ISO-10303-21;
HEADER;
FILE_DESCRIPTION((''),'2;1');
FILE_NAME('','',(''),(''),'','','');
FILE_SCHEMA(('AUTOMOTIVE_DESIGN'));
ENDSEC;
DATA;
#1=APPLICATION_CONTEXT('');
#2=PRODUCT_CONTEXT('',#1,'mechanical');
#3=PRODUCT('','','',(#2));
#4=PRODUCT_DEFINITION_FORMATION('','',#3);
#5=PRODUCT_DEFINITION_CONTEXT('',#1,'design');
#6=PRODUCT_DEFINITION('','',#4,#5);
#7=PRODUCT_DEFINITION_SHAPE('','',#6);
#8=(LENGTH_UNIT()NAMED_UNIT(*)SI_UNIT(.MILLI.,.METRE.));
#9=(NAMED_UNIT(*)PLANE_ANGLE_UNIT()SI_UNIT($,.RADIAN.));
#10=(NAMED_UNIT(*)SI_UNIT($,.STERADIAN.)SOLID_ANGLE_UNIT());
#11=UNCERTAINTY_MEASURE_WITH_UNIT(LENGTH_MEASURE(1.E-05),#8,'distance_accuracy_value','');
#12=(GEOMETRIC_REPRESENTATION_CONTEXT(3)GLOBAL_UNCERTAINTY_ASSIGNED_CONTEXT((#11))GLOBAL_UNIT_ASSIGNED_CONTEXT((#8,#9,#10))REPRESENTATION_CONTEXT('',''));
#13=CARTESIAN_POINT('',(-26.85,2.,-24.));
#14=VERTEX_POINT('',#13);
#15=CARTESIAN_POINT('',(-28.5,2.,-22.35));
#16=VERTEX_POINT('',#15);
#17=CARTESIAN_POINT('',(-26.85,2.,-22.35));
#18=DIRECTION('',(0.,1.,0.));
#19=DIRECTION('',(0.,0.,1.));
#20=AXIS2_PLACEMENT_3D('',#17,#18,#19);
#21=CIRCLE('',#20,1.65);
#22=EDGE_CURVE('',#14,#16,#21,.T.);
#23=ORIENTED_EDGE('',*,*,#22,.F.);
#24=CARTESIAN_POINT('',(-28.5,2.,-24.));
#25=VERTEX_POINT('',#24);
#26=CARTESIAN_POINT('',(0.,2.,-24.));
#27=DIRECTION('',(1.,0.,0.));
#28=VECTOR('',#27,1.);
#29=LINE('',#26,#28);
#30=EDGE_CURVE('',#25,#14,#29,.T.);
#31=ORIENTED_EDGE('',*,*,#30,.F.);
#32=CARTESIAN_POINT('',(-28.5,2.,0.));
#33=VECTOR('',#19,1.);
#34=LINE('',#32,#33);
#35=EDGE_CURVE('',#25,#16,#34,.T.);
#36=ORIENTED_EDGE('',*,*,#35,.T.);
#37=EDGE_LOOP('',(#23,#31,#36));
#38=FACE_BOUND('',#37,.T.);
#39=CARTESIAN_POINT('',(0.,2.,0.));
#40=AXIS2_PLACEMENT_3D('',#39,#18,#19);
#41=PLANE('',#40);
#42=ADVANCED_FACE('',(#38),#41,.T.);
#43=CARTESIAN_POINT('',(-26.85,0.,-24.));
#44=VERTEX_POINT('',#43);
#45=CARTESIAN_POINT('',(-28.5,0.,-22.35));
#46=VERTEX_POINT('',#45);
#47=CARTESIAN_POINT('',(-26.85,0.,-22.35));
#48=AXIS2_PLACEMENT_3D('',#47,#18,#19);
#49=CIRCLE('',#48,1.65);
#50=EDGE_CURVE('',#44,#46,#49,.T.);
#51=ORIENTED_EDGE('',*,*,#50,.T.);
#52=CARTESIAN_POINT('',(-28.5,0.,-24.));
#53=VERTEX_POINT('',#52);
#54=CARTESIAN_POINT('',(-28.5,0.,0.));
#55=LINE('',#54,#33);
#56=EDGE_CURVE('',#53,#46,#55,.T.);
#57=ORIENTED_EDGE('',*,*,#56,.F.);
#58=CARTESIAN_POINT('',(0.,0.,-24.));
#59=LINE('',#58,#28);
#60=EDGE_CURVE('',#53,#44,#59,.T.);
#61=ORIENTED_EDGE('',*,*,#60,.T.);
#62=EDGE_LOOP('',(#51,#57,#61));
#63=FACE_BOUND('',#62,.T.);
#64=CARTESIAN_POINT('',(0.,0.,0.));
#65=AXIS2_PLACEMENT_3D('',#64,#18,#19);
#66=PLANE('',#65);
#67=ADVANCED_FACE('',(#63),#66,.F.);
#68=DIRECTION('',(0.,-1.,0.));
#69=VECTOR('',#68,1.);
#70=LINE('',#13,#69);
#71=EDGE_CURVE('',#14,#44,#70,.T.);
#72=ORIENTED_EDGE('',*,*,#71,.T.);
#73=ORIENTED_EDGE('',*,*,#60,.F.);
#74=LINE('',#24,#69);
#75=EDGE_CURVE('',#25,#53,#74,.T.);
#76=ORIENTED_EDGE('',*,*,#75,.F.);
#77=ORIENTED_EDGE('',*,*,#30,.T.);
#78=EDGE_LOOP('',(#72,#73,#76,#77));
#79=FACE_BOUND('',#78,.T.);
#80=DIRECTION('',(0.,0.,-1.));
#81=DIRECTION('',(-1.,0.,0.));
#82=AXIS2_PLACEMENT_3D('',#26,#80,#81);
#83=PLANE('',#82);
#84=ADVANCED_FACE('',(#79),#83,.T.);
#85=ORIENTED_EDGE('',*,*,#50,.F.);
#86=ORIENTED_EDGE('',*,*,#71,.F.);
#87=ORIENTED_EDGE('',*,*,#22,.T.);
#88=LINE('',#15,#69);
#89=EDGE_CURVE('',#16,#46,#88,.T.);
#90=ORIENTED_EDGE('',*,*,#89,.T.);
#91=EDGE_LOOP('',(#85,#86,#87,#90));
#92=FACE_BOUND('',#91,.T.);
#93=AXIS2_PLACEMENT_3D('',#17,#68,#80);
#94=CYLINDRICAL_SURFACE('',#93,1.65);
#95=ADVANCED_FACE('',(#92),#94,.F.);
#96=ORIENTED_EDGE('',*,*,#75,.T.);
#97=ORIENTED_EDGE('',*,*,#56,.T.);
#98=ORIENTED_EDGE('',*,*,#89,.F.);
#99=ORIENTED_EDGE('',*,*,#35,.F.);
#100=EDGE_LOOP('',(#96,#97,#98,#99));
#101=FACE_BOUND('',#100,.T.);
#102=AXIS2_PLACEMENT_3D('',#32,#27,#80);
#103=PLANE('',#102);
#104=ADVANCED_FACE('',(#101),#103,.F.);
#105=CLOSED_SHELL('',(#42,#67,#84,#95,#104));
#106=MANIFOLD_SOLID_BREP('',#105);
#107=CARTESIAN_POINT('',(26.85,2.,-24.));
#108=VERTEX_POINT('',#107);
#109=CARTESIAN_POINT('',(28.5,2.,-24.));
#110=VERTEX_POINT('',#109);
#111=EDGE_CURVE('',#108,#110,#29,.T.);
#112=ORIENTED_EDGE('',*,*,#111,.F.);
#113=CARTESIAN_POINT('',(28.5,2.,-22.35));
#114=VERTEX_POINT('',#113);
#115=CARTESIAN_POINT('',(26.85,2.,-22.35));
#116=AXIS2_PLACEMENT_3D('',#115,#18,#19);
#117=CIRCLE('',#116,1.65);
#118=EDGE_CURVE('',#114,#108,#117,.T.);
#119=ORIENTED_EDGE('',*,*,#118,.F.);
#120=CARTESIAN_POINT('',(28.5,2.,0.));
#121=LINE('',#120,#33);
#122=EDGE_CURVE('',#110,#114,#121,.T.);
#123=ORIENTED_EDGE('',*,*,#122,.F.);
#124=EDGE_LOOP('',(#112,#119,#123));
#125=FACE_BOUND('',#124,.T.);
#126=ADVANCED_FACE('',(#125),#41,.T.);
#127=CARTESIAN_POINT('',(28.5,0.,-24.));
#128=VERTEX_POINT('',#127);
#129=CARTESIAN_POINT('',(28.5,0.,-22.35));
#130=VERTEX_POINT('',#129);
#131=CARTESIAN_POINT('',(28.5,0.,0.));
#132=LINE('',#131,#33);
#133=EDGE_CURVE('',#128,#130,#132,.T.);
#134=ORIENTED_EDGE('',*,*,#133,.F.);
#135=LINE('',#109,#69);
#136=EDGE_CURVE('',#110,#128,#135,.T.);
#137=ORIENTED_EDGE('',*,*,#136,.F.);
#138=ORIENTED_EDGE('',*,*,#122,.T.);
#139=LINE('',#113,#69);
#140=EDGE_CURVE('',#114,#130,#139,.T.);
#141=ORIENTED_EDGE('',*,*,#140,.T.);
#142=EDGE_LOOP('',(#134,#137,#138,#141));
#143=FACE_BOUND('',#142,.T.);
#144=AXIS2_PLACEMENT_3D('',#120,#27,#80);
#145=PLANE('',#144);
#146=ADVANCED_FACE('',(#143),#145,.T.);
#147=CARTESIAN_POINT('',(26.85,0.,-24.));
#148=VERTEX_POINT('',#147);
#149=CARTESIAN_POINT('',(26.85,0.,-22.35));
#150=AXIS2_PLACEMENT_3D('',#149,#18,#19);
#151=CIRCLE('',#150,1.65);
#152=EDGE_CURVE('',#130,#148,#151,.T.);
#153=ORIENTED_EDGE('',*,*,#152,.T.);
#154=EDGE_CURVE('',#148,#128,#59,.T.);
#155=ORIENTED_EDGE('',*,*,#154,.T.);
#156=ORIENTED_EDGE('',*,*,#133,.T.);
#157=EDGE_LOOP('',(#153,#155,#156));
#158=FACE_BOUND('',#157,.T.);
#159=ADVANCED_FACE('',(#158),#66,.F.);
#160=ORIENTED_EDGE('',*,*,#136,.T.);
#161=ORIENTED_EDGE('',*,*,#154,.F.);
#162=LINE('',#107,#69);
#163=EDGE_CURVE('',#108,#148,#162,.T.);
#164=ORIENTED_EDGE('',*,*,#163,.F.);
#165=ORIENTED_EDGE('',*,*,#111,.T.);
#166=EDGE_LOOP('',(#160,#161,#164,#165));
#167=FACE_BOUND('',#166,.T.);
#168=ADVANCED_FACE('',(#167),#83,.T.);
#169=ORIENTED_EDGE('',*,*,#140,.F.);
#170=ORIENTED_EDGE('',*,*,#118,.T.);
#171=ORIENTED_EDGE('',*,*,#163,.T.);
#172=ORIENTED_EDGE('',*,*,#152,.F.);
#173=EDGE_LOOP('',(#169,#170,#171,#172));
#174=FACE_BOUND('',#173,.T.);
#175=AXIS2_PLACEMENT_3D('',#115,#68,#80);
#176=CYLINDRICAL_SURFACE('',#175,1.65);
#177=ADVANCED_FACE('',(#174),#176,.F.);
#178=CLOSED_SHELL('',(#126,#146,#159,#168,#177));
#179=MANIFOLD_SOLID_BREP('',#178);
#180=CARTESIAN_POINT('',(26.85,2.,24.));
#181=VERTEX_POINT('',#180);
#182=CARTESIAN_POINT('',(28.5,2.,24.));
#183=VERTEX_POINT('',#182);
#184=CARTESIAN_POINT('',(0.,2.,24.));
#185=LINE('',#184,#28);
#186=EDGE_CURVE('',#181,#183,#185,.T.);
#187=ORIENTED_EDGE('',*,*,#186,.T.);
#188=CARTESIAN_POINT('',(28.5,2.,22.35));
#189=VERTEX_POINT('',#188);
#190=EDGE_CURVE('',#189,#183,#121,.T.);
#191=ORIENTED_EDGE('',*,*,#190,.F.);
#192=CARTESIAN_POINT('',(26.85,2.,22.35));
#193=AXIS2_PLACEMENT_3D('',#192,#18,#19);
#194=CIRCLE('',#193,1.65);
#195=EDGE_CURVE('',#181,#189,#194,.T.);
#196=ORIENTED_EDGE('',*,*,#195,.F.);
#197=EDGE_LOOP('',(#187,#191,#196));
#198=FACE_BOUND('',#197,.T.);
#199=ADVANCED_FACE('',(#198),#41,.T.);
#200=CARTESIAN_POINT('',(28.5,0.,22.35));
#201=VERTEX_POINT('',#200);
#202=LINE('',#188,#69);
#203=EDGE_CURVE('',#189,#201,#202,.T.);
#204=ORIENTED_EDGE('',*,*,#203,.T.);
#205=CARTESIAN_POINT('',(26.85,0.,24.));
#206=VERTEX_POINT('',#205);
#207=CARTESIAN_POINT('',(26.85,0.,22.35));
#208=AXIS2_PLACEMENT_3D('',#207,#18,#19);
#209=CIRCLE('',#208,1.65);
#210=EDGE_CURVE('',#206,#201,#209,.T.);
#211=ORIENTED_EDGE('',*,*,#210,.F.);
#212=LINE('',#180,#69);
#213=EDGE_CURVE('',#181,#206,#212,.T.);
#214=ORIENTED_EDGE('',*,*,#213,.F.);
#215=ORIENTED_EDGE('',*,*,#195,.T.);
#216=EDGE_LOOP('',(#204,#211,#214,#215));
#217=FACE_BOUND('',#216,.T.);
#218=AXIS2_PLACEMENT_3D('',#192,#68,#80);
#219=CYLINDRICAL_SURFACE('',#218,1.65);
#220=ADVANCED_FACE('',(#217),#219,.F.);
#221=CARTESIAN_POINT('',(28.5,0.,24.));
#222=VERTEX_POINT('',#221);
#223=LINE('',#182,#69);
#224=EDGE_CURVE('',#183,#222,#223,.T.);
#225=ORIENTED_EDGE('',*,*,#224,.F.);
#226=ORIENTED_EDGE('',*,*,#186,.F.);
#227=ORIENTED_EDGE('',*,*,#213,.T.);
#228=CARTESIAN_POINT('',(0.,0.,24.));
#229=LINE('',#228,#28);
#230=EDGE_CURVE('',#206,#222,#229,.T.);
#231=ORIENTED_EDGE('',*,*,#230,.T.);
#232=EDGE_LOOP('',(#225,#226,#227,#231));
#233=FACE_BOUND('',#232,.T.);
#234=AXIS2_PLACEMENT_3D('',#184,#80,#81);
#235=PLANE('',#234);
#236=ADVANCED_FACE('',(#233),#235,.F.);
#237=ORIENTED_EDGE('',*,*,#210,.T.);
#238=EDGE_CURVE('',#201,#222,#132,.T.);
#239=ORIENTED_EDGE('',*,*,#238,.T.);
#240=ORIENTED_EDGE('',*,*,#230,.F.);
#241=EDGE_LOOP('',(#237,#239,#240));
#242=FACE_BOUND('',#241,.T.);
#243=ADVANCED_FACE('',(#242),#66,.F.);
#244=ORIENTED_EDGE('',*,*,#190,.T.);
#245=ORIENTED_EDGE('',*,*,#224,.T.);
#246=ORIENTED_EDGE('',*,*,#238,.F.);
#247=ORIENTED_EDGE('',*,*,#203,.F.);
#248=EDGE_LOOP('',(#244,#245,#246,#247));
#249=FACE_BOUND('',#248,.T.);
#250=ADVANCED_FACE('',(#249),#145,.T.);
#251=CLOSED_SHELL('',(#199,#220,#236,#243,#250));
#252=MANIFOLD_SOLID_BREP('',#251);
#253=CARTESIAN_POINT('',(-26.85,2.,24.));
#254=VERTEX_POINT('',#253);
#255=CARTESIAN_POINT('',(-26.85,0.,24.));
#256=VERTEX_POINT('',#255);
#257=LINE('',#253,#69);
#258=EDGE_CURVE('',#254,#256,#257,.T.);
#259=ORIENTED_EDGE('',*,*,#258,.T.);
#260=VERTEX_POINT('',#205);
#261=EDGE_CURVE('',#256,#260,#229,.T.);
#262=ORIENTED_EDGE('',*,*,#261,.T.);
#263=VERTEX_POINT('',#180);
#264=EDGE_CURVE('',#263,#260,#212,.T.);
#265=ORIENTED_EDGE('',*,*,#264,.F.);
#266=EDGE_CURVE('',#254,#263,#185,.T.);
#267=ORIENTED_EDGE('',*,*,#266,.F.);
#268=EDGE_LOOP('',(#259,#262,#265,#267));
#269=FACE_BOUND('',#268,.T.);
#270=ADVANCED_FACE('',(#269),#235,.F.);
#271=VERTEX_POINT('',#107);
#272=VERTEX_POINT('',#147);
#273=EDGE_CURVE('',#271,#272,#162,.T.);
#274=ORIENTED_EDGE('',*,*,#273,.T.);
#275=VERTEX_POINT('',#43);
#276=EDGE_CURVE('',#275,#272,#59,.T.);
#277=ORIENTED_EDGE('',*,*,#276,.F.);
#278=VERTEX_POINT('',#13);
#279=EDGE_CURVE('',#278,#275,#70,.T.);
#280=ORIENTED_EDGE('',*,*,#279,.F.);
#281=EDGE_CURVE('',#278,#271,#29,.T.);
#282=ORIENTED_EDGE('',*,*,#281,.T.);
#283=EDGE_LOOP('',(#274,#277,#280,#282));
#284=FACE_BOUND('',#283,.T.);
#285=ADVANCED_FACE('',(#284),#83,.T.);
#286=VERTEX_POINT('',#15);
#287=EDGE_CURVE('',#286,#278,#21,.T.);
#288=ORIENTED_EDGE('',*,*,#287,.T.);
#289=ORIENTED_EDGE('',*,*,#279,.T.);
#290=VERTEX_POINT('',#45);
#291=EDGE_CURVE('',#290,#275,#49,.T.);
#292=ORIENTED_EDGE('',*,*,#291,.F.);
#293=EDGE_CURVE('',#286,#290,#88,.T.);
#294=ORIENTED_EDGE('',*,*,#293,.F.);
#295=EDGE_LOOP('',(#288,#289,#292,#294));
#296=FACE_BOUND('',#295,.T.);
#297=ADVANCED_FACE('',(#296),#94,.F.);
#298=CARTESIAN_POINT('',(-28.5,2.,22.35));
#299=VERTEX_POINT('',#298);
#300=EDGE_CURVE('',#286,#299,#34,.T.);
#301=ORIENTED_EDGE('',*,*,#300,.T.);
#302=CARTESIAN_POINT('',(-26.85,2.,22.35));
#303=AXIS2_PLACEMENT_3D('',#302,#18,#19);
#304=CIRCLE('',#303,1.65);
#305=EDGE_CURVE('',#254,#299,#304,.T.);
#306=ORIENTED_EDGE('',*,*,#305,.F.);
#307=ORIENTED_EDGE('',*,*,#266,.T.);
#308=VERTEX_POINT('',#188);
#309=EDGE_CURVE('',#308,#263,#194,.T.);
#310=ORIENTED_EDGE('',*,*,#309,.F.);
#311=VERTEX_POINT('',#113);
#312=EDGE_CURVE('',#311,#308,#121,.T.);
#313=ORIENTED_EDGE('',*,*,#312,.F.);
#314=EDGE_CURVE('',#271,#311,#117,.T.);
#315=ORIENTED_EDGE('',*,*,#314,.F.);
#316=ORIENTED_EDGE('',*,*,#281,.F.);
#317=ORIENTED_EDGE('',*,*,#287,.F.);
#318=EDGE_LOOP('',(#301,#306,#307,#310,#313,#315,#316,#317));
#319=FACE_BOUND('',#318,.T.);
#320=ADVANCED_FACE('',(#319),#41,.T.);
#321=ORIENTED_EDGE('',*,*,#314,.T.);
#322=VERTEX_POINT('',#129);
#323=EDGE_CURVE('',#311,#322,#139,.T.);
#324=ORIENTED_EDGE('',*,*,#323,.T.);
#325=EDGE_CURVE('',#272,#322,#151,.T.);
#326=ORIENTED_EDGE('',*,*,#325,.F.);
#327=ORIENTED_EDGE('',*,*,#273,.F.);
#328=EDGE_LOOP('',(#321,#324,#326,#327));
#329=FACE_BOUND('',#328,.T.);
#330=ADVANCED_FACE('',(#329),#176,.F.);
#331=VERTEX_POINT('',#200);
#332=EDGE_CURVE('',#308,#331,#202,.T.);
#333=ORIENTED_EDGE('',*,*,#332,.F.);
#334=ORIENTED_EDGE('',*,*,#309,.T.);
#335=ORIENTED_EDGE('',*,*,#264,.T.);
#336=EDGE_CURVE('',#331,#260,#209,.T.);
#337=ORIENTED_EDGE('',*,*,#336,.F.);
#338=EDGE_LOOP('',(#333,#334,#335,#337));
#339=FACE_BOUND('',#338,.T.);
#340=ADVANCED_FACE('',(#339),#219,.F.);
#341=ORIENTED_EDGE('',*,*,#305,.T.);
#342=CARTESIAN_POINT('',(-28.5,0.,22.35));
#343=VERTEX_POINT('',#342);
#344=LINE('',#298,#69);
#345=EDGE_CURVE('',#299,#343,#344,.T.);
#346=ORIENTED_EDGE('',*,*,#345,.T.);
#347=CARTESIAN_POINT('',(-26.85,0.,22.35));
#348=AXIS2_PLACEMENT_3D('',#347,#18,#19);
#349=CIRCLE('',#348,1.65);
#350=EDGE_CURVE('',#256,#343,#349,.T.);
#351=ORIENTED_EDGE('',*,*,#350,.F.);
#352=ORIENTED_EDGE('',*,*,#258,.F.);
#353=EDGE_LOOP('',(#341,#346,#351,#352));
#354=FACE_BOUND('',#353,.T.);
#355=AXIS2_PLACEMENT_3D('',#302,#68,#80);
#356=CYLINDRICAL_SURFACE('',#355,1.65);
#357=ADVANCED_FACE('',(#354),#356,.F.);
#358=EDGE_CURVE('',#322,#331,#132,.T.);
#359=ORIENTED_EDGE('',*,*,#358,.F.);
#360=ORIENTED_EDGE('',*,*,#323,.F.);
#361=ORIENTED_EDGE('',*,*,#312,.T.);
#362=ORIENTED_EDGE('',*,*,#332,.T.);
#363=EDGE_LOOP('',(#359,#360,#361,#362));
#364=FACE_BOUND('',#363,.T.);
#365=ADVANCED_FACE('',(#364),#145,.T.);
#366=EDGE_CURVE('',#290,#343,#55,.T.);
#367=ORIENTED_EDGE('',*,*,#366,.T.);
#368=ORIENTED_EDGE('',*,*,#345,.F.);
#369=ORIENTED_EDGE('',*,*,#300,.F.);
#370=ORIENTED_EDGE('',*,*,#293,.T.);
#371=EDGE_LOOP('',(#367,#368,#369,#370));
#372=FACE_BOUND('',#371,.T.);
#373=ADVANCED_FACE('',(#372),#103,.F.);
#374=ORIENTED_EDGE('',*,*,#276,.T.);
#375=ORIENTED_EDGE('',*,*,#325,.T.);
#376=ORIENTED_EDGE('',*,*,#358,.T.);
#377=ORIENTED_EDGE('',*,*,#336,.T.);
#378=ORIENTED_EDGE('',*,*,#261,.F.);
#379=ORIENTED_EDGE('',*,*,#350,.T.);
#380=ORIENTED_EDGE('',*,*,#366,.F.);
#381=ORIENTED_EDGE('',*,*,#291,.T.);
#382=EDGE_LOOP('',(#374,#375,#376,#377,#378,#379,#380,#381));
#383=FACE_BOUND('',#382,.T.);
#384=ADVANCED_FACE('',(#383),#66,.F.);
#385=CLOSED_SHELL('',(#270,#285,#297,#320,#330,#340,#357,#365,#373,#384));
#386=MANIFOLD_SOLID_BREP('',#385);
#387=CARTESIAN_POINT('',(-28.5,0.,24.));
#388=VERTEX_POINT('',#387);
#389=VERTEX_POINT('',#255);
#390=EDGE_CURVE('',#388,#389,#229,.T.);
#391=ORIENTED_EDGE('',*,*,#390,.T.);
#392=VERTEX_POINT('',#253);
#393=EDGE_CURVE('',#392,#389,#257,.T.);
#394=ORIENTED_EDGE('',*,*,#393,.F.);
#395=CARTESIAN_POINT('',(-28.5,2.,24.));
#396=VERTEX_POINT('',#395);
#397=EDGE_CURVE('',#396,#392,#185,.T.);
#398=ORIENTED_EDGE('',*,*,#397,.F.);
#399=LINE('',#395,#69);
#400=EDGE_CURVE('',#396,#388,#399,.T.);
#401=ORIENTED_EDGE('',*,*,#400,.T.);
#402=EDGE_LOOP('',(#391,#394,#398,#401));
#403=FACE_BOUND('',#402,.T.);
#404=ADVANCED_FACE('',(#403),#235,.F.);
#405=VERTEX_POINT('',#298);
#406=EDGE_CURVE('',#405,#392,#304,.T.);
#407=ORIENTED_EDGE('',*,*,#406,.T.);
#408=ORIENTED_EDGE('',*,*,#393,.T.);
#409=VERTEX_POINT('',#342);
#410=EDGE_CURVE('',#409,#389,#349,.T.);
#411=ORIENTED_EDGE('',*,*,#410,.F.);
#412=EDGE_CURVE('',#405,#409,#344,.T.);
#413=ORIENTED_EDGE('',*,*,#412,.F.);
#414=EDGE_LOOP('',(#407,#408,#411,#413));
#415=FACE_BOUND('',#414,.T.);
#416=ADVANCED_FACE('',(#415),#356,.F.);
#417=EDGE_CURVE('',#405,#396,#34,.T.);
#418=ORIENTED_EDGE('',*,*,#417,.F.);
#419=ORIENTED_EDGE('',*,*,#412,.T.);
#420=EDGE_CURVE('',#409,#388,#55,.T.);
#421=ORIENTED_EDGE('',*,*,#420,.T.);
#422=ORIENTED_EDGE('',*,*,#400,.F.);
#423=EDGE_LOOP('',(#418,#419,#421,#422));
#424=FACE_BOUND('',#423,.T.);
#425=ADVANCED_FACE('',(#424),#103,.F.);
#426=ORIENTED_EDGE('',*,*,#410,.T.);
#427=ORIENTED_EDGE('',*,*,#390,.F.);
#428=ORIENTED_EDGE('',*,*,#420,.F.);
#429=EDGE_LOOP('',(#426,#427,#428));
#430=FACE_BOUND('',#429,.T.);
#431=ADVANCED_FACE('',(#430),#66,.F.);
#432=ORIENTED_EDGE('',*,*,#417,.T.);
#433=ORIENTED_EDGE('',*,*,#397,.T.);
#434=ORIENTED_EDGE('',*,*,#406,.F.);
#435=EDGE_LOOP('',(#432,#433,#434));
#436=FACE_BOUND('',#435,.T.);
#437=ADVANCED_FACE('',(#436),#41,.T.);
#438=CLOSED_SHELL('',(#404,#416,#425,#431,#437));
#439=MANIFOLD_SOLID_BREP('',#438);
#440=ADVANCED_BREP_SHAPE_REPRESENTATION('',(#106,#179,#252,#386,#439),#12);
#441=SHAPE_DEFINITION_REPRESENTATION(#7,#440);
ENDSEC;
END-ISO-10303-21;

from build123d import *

# Parameters (mm, degrees)
BOSS_EXTRUDE1_DEPTH = 2


with BuildPart() as part:
    # Sketch1 → Boss-Extrude1 (new body)
    with BuildSketch(Plane(origin=(0, 0, 0), x_dir=(1, 0, 0), z_dir=(0, 1, 0))):
        with BuildLine():
            Line((-26.85, 24), (-28.5, 24))
            Line((-28.5, 24), (-28.5, 22.35))
            ThreePointArc((-28.5, 22.35), (-28.016726189, 23.516726189), (-26.85, 24))
        make_face()
        with BuildLine():
            Line((26.85, 24), (-26.85, 24))
            ThreePointArc((-26.85, 24), (-25.683273811, 21.183273811), (-28.5, 22.35))
            Line((-28.5, 22.35), (-28.5, -22.349999993))
            ThreePointArc((-28.5, -22.349999993), (-25.683273809, -21.183273813), (-26.85, -24))
            Line((-26.85, -24), (26.85, -24))
            ThreePointArc((26.85, -24), (25.683273811, -21.183273811), (28.5, -22.35))
            Line((28.5, -22.35), (28.5, 22.35))
            ThreePointArc((28.5, 22.35), (25.683273811, 21.183273811), (26.85, 24))
        make_face()
        with BuildLine():
            Line((28.5, 24), (26.85, 24))
            ThreePointArc((26.85, 24), (28.016726189, 23.516726189), (28.5, 22.35))
            Line((28.5, 22.35), (28.5, 24))
        make_face()
        with BuildLine():
            ThreePointArc((-26.85, -24), (-28.016726191, -23.516726187), (-28.5, -22.349999993))
            Line((-28.5, -22.349999993), (-28.5, -24))
            Line((-28.5, -24), (-26.85, -24))
        make_face()
        with BuildLine():
            Line((28.5, -24), (28.5, -22.35))
            ThreePointArc((28.5, -22.35), (28.016726189, -23.516726189), (26.85, -24))
            Line((26.85, -24), (28.5, -24))
        make_face()
    extrude(amount=BOSS_EXTRUDE1_DEPTH)


solid = part.part
